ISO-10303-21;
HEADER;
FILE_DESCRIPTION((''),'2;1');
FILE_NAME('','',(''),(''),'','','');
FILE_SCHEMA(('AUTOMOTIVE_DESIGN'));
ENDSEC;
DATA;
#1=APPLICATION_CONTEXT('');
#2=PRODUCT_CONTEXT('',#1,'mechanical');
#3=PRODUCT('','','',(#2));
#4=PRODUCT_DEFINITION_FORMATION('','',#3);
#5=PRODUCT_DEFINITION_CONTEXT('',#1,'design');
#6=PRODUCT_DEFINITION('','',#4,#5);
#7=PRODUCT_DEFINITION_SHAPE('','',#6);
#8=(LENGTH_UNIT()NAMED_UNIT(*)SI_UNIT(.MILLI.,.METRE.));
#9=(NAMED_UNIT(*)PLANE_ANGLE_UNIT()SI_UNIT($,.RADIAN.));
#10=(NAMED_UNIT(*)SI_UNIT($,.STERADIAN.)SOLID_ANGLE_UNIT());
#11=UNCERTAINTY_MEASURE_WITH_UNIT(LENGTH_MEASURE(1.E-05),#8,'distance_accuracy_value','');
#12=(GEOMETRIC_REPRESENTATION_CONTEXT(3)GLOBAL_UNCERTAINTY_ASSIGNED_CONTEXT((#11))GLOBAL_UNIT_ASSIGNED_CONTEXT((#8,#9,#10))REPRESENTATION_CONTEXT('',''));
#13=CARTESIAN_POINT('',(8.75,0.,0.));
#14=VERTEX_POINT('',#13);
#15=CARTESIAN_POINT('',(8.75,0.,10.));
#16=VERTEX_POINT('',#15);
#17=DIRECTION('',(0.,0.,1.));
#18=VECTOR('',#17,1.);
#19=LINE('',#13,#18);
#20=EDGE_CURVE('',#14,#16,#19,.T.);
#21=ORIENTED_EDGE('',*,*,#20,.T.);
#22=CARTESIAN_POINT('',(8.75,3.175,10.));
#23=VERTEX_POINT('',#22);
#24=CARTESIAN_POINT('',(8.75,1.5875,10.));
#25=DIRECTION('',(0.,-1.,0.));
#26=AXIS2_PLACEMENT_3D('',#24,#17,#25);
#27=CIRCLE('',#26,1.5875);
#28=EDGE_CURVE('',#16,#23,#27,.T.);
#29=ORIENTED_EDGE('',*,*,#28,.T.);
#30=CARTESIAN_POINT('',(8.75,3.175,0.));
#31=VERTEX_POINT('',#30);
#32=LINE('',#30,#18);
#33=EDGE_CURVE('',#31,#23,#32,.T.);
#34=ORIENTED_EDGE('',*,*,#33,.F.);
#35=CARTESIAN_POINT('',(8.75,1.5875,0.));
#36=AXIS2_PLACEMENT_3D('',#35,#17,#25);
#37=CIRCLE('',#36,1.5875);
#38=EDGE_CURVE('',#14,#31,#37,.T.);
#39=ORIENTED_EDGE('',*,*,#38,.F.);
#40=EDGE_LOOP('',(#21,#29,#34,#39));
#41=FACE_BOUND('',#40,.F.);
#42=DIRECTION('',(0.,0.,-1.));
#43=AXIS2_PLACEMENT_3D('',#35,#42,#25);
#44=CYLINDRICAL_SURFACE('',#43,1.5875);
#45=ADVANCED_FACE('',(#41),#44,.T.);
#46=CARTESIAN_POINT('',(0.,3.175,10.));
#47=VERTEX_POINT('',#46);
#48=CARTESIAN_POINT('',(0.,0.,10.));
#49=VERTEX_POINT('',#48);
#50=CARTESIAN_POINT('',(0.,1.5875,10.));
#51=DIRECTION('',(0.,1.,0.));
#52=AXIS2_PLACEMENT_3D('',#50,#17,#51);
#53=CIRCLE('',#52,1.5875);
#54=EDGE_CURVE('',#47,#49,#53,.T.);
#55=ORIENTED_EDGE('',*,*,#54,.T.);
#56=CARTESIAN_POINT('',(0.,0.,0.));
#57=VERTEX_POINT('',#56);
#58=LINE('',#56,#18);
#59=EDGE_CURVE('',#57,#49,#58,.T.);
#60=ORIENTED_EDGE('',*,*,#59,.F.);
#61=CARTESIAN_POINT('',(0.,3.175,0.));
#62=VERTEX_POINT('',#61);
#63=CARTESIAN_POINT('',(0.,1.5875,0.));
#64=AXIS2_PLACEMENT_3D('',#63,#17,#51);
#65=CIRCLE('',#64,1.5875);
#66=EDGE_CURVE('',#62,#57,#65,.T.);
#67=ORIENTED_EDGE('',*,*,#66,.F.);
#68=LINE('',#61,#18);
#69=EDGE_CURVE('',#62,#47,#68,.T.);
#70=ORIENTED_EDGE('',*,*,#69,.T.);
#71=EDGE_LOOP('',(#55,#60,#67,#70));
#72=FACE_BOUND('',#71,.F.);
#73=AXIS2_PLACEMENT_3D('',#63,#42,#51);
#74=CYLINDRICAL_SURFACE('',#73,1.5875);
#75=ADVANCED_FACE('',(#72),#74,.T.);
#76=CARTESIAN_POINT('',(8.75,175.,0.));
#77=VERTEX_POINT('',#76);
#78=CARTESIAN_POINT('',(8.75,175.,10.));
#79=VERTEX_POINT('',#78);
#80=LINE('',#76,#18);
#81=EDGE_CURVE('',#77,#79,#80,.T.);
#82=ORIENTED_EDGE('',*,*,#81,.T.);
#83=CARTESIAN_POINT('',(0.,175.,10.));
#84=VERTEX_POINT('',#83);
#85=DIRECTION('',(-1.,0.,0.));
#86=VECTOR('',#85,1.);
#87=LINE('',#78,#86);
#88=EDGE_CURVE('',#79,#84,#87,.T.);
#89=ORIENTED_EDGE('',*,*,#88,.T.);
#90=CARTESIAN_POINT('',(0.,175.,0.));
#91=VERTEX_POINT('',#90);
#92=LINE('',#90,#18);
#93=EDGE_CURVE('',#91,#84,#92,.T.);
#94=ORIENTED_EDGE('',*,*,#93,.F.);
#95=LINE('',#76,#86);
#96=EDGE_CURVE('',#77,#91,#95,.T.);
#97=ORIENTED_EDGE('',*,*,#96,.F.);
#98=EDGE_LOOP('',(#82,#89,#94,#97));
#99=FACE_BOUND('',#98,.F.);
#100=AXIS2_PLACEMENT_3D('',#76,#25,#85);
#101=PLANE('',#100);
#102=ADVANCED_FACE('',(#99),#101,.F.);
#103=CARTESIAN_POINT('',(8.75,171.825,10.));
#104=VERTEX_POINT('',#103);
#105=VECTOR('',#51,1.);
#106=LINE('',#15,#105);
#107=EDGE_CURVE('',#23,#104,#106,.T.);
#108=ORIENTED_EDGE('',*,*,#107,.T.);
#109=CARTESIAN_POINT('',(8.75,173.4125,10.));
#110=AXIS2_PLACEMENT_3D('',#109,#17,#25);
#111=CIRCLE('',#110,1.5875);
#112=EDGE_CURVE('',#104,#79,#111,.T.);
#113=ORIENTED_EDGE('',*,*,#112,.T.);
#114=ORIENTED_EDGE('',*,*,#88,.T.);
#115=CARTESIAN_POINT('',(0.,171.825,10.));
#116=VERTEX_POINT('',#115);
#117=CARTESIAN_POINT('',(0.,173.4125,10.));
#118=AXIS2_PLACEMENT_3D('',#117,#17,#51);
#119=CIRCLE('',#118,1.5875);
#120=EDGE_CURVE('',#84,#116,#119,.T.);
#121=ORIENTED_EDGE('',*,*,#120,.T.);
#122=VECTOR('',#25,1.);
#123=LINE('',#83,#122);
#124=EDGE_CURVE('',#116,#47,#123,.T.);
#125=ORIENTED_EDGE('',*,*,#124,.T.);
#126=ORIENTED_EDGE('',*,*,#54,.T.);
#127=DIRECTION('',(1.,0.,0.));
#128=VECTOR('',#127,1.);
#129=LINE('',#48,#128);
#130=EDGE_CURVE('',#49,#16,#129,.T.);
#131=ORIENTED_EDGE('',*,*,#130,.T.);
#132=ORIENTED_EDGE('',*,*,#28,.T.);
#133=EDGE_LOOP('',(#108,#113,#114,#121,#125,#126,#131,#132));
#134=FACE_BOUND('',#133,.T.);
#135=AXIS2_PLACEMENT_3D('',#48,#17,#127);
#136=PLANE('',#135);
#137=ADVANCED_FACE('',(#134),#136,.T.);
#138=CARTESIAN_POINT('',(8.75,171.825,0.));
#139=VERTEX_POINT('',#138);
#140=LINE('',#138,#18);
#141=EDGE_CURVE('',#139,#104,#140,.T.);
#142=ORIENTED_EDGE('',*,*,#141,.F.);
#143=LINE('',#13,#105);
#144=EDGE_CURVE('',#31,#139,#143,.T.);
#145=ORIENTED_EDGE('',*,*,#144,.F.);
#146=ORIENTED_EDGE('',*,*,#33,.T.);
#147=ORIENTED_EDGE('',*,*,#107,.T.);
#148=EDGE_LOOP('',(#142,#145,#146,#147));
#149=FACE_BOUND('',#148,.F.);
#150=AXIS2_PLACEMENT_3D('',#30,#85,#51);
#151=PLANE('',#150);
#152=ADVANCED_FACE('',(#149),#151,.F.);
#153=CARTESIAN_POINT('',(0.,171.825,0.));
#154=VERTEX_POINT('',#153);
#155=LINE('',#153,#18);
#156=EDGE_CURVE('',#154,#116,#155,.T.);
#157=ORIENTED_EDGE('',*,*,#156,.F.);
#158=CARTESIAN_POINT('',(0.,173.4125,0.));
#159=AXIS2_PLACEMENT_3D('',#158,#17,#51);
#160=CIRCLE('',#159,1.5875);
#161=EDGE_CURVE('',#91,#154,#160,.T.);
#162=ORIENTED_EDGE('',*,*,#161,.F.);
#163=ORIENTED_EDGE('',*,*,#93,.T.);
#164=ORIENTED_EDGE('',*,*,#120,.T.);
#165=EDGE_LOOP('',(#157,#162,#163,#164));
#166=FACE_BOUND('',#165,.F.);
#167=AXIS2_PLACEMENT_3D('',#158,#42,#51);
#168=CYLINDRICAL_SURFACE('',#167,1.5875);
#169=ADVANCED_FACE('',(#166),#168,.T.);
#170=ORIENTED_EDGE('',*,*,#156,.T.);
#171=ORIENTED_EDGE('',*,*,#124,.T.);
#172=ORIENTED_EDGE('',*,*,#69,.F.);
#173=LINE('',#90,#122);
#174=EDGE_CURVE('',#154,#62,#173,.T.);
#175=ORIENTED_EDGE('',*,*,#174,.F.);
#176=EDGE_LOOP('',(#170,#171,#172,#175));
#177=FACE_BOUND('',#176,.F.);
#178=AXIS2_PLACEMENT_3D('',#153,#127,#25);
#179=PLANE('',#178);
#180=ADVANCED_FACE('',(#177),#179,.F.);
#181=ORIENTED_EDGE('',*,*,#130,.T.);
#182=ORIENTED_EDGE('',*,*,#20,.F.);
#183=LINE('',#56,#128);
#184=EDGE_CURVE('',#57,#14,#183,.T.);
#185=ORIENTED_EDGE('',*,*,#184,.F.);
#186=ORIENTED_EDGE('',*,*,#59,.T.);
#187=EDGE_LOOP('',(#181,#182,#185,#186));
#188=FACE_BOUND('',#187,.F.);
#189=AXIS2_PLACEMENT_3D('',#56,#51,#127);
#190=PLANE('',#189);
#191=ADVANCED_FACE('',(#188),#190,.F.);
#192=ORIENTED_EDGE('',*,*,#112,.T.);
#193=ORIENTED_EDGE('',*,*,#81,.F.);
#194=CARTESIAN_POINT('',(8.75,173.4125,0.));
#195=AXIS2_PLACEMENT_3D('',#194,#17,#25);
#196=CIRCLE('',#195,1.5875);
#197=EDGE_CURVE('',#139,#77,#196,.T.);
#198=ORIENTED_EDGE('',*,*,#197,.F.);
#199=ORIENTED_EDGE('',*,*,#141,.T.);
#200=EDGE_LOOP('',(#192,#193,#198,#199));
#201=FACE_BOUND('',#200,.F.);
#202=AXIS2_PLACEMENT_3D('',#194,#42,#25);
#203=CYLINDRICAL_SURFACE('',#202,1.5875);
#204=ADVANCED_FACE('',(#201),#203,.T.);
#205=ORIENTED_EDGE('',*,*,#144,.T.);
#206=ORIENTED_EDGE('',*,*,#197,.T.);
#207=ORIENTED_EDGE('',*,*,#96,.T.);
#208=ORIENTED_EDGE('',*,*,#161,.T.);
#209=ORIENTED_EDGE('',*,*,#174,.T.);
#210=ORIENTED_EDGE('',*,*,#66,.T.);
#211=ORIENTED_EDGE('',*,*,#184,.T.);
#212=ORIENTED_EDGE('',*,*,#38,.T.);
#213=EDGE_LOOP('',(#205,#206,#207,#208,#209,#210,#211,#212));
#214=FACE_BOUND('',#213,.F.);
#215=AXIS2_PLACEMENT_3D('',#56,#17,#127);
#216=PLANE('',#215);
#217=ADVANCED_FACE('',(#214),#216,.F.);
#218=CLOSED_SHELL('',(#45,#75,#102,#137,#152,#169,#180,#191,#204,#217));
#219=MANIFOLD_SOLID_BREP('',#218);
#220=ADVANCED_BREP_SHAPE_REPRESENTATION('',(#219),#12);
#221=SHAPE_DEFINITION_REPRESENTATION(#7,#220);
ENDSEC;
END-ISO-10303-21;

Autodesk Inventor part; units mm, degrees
ref_plane "YZ Plane" through (0, 0, 0) normal (1, 0, 0) x (0, 1, 0)
ref_plane "XZ Plane" through (0, 0, 0) normal (0, 1, 0) x (-1, 0, 0)
ref_plane "XY Plane" through (0, 0, 0) normal (0, 0, 1) x (1, 0, 0)
sketch "Sketch1" plane through (0, 0, 0) normal (0, 0, 1) x (1, 0, 0)
  line L0 (0, 0) -> (8.75, 0)
  line L1 (8.75, 0) -> (8.75, 175)
  line L2 (8.75, 175) -> (0, 175)
  line L3 (0, 175) -> (0, 0)
  arc A0 (0, 3.175) -> (0, 0) centre (0, 1.5875) ccw
  arc A1 (8.75, 0) -> (8.75, 3.175) centre (8.75, 1.5875) ccw
  arc A2 (0, 175) -> (0, 171.825) centre (0, 173.4125) ccw
  arc A3 (8.75, 171.825) -> (8.75, 175) centre (8.75, 173.4125) ccw
  dimension "d0" = 8.75
  dimension "d1" = 175
  dimension "d2" = 1.5875
extrude "Extrusion1" add sketch "Sketch1" along normal blind 10
properties part number "Arrow_Shaft_Template"
